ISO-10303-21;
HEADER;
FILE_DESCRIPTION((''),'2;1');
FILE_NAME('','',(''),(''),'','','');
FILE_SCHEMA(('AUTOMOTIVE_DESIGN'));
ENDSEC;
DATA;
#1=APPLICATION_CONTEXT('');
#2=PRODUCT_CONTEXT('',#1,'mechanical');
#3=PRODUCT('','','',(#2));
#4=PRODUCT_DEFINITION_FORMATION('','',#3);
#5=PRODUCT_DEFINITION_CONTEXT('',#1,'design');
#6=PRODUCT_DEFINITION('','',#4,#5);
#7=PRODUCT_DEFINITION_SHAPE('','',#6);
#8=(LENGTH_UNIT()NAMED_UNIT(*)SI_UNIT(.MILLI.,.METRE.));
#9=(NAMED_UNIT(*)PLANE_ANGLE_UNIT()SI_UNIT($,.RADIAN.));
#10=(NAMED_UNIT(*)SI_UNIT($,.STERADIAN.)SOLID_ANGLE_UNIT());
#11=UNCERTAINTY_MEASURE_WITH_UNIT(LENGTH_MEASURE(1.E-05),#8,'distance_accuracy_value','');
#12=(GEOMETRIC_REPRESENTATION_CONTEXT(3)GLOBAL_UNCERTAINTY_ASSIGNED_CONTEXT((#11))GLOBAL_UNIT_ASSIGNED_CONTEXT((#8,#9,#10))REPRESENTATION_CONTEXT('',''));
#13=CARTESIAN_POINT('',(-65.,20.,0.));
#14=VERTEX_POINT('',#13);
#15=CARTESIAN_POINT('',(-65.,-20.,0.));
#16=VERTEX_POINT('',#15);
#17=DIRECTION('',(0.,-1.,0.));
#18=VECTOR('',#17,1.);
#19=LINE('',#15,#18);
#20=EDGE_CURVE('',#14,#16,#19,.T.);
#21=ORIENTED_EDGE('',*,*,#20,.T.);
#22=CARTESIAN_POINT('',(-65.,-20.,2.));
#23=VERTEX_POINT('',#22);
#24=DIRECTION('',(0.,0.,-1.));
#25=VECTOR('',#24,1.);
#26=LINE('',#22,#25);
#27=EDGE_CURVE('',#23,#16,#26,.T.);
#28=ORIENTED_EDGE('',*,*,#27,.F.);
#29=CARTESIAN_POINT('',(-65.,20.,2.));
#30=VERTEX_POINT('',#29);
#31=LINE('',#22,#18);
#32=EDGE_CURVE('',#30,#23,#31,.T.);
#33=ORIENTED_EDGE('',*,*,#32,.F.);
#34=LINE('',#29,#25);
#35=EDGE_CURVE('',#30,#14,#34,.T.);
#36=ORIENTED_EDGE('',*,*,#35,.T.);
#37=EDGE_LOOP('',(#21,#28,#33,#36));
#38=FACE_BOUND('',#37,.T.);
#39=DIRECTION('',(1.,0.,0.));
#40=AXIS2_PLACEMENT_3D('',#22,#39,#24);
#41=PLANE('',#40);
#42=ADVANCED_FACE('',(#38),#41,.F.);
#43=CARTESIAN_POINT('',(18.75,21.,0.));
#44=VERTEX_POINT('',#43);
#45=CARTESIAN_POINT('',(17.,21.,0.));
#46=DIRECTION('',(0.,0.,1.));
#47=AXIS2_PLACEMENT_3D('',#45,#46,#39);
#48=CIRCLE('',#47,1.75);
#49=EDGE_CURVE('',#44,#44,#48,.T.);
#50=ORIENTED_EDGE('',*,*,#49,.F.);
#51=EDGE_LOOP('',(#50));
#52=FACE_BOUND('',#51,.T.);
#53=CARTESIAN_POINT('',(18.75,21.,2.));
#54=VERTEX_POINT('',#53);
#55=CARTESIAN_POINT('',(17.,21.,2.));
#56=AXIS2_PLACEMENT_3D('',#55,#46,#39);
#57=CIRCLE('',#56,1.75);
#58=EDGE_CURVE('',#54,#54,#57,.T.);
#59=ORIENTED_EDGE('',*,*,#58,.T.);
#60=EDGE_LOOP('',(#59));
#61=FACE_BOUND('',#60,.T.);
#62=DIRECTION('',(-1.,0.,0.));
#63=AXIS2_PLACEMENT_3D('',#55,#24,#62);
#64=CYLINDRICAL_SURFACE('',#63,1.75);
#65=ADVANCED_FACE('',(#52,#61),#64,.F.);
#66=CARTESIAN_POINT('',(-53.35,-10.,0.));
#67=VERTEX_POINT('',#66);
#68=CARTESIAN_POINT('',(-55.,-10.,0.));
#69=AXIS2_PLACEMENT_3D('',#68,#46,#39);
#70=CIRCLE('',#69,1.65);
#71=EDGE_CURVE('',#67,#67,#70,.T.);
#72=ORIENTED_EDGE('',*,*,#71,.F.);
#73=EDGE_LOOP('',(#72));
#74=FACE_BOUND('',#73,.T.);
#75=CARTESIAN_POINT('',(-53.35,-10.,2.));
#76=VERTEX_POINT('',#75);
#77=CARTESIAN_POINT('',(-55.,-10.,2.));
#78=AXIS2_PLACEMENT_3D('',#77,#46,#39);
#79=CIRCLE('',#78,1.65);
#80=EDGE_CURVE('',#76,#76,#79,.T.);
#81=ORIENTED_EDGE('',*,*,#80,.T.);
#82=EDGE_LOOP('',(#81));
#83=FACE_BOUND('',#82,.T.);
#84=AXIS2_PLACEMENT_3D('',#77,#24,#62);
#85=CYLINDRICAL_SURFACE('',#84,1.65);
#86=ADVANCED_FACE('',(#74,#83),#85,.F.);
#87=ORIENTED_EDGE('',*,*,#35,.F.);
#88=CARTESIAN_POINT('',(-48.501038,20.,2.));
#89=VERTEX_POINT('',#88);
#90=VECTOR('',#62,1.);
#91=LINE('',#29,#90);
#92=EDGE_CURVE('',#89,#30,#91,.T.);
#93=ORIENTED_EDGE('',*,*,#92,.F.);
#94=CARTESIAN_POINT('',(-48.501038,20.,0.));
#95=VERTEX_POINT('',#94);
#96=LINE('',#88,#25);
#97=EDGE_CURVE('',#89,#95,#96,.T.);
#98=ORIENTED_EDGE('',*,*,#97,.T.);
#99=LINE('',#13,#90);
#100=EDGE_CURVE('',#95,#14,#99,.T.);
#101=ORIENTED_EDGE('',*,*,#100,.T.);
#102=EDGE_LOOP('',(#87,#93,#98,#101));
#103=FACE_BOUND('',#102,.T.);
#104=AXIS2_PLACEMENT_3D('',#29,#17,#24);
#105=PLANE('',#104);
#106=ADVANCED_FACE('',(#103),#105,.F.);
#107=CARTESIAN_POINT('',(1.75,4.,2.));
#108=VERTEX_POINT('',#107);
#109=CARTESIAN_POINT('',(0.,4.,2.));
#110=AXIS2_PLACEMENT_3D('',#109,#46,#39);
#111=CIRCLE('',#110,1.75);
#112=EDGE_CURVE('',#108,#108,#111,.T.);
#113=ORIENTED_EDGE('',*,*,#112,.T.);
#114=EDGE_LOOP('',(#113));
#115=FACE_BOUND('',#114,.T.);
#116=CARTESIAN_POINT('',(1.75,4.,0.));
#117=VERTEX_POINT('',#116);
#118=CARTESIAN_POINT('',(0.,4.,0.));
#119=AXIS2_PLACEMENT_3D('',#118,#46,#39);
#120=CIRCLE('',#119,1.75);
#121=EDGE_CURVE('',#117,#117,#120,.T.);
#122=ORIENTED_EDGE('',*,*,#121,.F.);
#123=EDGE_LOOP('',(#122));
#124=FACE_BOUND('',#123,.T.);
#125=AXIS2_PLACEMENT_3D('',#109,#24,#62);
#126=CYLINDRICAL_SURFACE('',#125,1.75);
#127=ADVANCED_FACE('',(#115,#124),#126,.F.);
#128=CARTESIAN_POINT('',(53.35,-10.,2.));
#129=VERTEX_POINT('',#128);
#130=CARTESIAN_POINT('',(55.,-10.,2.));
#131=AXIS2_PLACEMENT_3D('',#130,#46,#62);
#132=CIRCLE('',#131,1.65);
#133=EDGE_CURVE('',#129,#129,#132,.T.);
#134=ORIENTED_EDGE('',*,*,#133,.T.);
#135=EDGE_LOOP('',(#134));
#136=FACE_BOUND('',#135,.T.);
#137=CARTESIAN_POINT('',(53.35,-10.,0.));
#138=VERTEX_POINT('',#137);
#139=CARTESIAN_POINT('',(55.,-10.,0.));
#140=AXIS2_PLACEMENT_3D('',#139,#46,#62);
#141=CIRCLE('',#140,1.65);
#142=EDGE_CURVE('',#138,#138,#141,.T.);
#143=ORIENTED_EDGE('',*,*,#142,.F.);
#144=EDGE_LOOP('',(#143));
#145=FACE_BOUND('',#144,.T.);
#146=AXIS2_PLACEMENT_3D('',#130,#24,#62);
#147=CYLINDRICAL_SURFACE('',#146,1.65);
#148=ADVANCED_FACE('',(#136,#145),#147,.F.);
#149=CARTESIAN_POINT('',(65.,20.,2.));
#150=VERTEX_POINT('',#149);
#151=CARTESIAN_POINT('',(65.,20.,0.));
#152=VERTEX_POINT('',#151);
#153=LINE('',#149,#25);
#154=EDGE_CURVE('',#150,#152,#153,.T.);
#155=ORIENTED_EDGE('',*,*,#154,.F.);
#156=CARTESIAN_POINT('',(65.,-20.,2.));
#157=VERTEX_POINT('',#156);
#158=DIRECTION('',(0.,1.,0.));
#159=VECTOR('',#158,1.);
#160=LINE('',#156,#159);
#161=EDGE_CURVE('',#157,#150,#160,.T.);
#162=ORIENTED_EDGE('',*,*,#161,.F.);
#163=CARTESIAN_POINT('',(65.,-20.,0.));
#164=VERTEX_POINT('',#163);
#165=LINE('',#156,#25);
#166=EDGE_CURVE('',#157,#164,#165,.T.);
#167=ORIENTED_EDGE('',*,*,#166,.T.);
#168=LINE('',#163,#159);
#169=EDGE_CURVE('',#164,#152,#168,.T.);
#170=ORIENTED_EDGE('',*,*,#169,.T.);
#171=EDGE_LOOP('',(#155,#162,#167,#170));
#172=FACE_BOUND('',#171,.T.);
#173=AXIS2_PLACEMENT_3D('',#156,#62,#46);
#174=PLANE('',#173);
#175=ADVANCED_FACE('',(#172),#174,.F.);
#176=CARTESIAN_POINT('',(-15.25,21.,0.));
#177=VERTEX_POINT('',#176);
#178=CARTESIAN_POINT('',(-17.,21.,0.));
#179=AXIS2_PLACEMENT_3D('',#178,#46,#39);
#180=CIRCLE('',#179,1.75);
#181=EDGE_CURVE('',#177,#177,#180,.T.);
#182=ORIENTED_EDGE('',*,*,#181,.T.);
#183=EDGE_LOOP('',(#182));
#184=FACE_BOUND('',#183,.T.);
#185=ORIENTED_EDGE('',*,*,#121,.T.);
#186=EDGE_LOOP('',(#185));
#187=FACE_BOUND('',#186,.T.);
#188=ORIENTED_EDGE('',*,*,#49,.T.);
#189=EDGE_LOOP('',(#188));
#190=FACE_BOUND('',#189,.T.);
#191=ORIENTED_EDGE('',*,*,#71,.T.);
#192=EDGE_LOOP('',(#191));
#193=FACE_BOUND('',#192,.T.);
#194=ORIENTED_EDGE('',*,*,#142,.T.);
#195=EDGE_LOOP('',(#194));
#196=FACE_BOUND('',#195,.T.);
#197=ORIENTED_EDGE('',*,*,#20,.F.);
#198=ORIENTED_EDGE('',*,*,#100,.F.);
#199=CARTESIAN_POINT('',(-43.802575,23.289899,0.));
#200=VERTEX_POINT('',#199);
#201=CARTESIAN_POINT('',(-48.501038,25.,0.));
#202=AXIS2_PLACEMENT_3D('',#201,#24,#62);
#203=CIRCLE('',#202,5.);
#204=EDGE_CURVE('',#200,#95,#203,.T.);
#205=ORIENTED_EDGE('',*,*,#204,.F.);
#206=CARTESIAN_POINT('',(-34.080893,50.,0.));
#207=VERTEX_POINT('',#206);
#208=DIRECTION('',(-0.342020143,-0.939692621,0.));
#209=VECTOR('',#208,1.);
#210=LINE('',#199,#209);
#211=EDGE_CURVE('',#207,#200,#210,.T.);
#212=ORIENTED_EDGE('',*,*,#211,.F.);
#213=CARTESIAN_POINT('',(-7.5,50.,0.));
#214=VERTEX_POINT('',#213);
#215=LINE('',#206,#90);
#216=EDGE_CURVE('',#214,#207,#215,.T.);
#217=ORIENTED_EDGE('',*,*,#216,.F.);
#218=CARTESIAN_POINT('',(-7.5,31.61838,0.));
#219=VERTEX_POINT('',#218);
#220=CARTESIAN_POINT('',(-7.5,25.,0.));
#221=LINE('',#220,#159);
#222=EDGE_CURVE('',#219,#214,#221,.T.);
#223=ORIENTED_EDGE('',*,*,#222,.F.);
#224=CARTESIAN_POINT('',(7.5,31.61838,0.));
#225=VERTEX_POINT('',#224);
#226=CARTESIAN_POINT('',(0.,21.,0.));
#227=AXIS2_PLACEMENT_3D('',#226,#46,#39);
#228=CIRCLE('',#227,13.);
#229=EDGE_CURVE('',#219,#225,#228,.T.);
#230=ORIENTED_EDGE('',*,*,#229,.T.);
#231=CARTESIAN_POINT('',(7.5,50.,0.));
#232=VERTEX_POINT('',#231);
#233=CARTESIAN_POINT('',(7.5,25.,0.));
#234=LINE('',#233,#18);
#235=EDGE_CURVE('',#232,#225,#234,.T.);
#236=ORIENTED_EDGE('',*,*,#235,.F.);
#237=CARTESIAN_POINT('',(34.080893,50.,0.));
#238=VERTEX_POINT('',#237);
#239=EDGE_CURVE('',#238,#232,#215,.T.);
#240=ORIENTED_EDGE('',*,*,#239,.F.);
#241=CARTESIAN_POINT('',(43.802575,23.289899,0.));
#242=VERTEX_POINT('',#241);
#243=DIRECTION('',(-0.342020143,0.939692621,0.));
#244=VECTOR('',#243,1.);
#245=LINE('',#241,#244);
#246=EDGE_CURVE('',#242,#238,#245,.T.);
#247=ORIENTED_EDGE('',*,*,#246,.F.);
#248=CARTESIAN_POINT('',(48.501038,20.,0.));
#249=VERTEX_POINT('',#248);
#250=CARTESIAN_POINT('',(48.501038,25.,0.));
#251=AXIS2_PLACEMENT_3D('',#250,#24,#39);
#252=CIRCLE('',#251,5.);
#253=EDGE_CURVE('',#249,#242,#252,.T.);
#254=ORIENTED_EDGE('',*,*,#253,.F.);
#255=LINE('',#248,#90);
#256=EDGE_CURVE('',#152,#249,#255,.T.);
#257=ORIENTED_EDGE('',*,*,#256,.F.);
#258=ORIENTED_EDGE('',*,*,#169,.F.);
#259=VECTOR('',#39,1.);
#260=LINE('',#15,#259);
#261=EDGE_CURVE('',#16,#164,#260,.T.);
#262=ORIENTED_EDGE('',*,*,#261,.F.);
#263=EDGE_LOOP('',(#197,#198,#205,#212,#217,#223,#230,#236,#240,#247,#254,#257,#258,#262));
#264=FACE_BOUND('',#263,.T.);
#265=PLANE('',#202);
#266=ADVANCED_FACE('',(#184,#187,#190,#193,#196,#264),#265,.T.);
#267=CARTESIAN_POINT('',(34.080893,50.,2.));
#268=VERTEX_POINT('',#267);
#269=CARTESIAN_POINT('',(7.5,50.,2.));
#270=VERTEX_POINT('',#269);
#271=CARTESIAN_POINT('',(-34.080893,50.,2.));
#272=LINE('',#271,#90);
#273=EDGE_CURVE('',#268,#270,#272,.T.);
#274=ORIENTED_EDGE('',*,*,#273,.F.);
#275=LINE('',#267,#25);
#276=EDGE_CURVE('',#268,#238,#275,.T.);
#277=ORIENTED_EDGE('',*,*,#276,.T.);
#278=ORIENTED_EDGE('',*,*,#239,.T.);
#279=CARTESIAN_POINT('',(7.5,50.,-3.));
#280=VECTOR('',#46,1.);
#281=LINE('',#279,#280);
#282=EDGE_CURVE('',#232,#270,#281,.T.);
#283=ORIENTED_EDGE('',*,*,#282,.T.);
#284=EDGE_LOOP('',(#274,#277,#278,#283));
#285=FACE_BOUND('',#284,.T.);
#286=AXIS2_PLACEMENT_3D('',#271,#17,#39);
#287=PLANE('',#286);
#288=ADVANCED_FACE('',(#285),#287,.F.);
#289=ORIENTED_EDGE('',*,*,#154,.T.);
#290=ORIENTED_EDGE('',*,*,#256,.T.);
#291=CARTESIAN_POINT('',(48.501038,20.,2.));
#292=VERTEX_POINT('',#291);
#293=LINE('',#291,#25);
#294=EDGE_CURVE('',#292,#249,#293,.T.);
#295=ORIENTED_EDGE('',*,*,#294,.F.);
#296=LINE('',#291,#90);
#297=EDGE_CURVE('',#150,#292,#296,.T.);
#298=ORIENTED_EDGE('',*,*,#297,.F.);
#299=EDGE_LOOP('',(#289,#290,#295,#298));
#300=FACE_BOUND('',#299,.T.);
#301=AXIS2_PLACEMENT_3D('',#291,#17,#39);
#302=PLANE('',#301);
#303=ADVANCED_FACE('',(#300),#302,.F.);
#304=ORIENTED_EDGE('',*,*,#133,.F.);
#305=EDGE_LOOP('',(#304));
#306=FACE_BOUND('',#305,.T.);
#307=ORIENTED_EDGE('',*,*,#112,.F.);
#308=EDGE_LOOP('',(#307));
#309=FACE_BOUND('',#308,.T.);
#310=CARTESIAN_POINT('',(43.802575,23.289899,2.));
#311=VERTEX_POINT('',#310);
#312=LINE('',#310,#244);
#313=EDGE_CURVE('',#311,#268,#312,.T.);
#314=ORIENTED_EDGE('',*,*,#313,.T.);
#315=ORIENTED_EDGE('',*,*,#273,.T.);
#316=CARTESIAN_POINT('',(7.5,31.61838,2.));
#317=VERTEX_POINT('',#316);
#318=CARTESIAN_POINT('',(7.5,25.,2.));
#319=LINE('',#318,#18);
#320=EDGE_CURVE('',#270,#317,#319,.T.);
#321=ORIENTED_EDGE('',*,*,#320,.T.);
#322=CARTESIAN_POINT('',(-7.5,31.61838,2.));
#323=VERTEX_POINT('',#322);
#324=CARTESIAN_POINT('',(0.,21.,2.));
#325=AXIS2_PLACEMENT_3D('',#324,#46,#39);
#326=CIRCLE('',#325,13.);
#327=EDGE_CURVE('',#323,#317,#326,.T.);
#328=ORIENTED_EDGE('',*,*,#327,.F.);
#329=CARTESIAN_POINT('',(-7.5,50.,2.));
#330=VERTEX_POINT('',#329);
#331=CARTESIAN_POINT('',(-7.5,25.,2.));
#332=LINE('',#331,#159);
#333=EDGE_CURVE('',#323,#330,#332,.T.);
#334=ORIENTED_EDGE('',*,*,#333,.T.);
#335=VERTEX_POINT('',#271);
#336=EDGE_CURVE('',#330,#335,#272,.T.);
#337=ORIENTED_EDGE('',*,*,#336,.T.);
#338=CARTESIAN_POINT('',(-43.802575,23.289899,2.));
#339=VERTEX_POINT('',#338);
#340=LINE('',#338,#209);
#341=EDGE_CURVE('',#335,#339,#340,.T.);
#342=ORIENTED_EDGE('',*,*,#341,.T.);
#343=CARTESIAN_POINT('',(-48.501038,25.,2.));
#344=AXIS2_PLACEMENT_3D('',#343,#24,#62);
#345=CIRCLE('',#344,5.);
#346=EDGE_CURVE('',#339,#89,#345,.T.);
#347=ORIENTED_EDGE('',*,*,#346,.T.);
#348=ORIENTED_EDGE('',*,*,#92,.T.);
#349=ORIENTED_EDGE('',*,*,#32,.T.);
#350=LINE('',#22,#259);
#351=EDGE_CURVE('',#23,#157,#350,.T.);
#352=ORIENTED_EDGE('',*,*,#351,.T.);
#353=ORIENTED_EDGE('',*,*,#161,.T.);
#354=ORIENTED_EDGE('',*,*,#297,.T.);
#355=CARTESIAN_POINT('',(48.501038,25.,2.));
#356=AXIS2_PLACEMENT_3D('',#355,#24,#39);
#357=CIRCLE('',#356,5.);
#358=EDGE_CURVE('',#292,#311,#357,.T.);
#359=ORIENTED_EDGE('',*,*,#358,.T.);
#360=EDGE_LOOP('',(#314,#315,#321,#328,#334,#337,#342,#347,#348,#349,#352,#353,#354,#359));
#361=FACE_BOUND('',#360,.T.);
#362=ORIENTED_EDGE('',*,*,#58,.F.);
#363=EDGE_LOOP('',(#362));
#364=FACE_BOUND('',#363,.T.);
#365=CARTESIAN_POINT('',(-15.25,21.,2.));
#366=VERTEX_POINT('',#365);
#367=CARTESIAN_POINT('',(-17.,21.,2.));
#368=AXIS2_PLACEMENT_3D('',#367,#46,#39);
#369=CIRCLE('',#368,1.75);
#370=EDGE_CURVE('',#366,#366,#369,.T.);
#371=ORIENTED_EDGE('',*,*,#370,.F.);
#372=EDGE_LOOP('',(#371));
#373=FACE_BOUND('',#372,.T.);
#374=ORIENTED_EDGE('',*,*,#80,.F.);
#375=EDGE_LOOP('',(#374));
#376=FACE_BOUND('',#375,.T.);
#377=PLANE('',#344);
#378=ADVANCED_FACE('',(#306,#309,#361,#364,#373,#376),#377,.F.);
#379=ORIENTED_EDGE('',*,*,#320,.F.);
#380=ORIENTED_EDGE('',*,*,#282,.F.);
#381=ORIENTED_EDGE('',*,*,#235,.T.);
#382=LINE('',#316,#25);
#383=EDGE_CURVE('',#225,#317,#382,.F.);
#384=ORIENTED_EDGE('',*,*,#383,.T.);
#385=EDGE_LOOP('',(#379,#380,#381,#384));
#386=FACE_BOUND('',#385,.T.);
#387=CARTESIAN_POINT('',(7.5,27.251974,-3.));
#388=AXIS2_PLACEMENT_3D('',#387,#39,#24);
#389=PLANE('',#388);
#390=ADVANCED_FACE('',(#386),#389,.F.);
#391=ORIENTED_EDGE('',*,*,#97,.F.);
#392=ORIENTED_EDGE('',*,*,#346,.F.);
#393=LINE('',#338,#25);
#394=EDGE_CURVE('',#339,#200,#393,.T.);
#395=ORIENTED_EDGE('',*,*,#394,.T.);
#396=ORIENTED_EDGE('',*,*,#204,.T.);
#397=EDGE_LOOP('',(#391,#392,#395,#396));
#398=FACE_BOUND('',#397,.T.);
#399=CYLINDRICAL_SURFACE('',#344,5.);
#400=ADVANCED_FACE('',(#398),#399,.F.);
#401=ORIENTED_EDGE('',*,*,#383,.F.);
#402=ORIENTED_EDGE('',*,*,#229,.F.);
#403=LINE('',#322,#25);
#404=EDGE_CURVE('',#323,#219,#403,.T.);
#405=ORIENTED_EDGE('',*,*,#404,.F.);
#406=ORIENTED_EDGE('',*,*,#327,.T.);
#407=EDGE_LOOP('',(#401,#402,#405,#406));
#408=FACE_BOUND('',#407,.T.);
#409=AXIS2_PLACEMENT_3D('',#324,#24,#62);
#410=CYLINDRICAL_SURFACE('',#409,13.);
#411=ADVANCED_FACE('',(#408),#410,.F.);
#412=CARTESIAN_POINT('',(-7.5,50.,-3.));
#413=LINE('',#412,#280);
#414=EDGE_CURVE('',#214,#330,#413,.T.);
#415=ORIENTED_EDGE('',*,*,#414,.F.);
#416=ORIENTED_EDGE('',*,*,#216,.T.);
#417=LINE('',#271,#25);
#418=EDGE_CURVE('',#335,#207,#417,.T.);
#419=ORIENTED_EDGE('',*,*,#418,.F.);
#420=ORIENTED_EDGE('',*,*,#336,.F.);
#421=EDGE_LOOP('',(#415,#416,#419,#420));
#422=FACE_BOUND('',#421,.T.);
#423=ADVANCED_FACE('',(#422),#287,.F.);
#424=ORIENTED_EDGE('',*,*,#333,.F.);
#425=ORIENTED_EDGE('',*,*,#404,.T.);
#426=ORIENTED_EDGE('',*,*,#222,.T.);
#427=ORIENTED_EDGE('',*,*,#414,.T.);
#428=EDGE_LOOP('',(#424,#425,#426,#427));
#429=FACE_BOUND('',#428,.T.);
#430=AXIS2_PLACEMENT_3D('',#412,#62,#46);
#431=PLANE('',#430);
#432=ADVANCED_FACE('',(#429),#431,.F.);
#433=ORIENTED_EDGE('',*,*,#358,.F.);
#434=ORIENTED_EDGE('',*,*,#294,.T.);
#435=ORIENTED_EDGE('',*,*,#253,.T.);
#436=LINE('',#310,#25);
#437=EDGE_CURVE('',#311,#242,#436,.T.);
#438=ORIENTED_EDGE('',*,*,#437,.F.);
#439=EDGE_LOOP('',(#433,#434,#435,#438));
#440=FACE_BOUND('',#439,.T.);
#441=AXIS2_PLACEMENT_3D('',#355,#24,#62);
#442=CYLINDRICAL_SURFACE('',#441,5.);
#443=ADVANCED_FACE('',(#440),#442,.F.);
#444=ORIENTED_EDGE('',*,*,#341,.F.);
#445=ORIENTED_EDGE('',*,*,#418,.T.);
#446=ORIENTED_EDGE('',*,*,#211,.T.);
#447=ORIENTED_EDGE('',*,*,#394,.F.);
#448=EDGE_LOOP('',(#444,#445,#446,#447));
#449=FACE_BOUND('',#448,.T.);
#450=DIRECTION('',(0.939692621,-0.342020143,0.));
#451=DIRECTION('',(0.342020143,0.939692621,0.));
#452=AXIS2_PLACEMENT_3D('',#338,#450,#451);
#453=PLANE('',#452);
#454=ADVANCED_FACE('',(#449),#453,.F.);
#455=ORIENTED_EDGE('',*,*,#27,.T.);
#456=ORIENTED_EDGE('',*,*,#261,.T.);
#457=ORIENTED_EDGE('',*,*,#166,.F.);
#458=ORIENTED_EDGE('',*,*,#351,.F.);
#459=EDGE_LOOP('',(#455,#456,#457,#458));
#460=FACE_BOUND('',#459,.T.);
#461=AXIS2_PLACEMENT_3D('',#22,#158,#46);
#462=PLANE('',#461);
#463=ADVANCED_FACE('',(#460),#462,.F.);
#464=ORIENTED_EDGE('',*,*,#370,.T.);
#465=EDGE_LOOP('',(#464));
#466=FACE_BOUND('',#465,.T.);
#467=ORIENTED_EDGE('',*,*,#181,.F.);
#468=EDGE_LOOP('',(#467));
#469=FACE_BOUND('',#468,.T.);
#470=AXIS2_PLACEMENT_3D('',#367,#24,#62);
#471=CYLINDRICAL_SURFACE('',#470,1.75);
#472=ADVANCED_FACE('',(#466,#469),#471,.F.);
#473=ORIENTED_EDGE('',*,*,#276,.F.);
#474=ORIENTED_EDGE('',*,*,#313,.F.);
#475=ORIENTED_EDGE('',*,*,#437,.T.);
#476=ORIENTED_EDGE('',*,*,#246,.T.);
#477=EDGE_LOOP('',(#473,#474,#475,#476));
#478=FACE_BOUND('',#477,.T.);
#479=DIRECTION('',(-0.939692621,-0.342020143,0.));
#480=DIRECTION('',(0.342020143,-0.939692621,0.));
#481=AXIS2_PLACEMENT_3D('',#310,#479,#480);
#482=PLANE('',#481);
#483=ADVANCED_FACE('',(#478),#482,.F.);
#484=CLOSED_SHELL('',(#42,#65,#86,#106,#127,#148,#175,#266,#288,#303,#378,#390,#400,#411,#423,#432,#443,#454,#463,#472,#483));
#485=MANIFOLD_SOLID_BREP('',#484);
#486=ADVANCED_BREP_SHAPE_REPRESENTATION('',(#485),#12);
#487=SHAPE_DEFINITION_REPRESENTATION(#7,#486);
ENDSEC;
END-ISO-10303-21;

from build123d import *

# Parameters (mm, degrees)
EXTRUDE_1_DEPTH     = 2
SKETCH_2_R          = 1.65
CUT_EXTRUDE_1_DEPTH = 2
SKETCH_3_R          = 1.75
SKETCH_3_R_2        = 13
CUT_EXTRUDE_2_DEPTH = 2
SKETCH_4_W          = 15
SKETCH_4_H          = 22.74802609
CUT_EXTRUDE_3_DEPTH = 5


with BuildPart() as part:
    # 草图1 → 凸台-拉伸1 (new body)
    with BuildSketch(Plane.XY):
        with BuildLine():
            Line((-43.802574587, 23.289899283), (-34.080892972, 50))
            Line((-34.080892972, 50), (34.080892972, 50))
            Line((34.080892972, 50), (43.802574587, 23.289899283))
            ThreePointArc((43.802574587, 23.289899283), (45.633155509, 20.904239779), (48.501037691, 20))
            Line((48.501037691, 20), (65, 20))
            Line((65, 20), (65, -20))
            Line((65, -20), (-65, -20))
            Line((-65, -20), (-65, 20))
            Line((-65, 20), (-48.501037691, 20))
            ThreePointArc((-48.501037691, 20), (-45.633155509, 20.904239779), (-43.802574587, 23.289899283))
        make_face()
    extrude(amount=EXTRUDE_1_DEPTH)

    # 草图2 → 切除-拉伸1 (cut)
    with BuildSketch(Plane.XY):
        with Locations((-55, -10)):
            Circle(SKETCH_2_R)
        with Locations(Location((55, -10, 0), (0, 0, 180))):
            Circle(SKETCH_2_R)
    extrude(amount=CUT_EXTRUDE_1_DEPTH, mode=Mode.SUBTRACT)

    # 草图3 → 切除-拉伸2 (cut)
    with BuildSketch(Plane.XY):
        with Locations((0, 38)):
            Circle(SKETCH_3_R)
        with Locations((17, 21)):
            Circle(SKETCH_3_R)
        with Locations((0, 4)):
            Circle(SKETCH_3_R)
        with Locations((-17, 21)):
            Circle(SKETCH_3_R)
        with Locations((0, 21)):
            Circle(SKETCH_3_R_2)
    extrude(amount=CUT_EXTRUDE_2_DEPTH, mode=Mode.SUBTRACT)

    # 草图4 → 切除-拉伸3 (cut, symmetric)
    with BuildSketch(Plane.XY.offset(2)):
        with Locations((0, 38.625986955)):
            Rectangle(SKETCH_4_W, SKETCH_4_H)
    extrude(amount=CUT_EXTRUDE_3_DEPTH, both=True, mode=Mode.SUBTRACT)


solid = part.part
